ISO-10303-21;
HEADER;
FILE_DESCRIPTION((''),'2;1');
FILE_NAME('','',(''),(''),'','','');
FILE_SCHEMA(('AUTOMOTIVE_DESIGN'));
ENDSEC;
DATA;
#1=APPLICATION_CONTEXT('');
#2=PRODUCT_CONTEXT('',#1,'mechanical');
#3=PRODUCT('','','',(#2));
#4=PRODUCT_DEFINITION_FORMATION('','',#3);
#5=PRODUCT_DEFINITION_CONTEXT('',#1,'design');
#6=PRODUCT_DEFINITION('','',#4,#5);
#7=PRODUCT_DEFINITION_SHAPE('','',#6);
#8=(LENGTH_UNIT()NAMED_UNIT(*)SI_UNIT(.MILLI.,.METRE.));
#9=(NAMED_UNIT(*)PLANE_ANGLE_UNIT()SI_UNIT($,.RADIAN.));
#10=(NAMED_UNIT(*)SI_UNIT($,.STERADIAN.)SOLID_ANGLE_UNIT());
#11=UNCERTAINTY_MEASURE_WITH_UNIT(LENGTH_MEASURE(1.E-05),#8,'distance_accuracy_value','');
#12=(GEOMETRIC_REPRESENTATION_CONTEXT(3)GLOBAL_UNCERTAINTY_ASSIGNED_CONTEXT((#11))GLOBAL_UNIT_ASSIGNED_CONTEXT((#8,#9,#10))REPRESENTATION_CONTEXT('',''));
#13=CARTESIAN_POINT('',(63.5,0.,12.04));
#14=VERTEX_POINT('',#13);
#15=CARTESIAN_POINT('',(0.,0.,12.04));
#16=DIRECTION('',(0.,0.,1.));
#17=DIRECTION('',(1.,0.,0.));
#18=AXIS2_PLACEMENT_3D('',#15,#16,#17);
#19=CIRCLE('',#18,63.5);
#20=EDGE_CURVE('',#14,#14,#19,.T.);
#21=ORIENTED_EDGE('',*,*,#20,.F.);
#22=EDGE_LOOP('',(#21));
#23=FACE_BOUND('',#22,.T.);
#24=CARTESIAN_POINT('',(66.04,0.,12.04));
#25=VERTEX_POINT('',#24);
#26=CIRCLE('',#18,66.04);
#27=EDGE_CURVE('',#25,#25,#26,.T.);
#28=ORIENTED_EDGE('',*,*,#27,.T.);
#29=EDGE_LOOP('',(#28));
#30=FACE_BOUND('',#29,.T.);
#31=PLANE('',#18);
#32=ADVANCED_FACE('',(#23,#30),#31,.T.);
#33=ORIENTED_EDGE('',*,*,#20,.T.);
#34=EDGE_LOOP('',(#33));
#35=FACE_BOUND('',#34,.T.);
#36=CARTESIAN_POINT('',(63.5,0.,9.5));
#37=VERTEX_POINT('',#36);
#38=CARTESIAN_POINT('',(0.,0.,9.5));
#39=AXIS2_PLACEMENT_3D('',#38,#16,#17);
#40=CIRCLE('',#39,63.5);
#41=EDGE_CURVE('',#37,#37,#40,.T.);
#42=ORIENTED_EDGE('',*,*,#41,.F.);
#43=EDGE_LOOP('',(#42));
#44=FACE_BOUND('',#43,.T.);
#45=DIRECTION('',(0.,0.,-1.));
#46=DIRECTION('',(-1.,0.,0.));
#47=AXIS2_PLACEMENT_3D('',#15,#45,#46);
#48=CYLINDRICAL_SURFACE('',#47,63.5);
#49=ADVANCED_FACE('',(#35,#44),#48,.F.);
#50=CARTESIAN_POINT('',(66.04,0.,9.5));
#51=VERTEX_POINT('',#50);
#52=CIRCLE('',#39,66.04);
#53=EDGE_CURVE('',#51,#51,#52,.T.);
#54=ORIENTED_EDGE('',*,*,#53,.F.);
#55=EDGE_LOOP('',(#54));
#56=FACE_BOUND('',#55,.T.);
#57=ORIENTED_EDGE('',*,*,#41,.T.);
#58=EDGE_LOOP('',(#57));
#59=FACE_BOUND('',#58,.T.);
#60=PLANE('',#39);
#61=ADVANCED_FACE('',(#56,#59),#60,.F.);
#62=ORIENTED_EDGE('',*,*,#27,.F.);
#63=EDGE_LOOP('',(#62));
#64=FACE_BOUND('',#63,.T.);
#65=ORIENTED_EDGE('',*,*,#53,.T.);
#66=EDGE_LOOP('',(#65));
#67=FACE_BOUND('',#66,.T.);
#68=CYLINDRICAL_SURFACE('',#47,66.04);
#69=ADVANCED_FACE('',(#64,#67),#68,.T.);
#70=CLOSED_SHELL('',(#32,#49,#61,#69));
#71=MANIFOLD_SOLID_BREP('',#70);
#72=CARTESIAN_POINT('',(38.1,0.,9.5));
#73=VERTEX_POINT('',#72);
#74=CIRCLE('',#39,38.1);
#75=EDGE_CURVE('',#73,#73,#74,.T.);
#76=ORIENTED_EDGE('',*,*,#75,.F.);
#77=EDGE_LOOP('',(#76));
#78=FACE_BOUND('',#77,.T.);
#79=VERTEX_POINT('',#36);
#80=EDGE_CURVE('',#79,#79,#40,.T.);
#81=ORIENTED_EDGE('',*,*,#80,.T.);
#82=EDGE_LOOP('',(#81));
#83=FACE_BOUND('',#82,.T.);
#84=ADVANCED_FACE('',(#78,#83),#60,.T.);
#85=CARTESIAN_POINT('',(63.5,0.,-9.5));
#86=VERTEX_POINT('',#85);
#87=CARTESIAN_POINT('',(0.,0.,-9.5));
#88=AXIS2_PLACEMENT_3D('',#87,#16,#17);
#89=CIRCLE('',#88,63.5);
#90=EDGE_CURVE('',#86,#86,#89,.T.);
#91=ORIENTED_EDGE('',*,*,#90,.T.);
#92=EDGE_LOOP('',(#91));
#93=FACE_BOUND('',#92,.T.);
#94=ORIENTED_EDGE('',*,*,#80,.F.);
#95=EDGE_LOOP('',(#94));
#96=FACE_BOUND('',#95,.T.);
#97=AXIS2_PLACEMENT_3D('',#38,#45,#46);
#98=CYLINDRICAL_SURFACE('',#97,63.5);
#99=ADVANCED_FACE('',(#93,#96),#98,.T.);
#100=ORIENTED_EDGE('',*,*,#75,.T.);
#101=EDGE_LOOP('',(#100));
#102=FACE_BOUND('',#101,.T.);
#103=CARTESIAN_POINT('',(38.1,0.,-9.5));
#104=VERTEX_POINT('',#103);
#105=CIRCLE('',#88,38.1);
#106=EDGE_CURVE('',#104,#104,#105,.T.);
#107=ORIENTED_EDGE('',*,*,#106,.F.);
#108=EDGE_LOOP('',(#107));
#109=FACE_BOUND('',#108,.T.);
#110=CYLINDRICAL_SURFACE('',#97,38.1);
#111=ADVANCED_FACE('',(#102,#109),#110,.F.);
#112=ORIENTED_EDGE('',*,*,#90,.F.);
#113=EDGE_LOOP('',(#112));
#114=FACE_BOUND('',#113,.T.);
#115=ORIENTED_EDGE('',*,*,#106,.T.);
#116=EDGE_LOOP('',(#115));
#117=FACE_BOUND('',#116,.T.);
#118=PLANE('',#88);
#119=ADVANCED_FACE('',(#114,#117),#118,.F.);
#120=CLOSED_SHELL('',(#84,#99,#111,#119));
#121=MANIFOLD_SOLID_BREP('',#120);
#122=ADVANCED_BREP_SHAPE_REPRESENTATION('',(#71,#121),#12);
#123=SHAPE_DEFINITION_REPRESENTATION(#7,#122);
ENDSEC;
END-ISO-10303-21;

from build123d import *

# Parameters (mm, degrees)
SKETCH1_R           = 63.5
SKETCH1_R_2         = 38.1
BOSS_EXTRUDE1_DEPTH = 9.5
SKETCH2_R           = 66.04
SKETCH2_R_2         = 63.5
BOSS_EXTRUDE2_DEPTH = 2.54


with BuildPart() as part:
    # Sketch1 → Boss-Extrude1 (new, symmetric)
    with BuildSketch(Plane.XY):
        Circle(SKETCH1_R)
        Circle(SKETCH1_R_2, mode=Mode.SUBTRACT)
    extrude(amount=BOSS_EXTRUDE1_DEPTH, both=True)


with BuildPart() as body_2:
    # Sketch2 → Boss-Extrude2 (new body)
    with BuildSketch(Plane.XY.offset(9.5)):
        Circle(SKETCH2_R)
        Circle(SKETCH2_R_2, mode=Mode.SUBTRACT)
    extrude(amount=BOSS_EXTRUDE2_DEPTH)


solid = Compound([part.part, body_2.part])
